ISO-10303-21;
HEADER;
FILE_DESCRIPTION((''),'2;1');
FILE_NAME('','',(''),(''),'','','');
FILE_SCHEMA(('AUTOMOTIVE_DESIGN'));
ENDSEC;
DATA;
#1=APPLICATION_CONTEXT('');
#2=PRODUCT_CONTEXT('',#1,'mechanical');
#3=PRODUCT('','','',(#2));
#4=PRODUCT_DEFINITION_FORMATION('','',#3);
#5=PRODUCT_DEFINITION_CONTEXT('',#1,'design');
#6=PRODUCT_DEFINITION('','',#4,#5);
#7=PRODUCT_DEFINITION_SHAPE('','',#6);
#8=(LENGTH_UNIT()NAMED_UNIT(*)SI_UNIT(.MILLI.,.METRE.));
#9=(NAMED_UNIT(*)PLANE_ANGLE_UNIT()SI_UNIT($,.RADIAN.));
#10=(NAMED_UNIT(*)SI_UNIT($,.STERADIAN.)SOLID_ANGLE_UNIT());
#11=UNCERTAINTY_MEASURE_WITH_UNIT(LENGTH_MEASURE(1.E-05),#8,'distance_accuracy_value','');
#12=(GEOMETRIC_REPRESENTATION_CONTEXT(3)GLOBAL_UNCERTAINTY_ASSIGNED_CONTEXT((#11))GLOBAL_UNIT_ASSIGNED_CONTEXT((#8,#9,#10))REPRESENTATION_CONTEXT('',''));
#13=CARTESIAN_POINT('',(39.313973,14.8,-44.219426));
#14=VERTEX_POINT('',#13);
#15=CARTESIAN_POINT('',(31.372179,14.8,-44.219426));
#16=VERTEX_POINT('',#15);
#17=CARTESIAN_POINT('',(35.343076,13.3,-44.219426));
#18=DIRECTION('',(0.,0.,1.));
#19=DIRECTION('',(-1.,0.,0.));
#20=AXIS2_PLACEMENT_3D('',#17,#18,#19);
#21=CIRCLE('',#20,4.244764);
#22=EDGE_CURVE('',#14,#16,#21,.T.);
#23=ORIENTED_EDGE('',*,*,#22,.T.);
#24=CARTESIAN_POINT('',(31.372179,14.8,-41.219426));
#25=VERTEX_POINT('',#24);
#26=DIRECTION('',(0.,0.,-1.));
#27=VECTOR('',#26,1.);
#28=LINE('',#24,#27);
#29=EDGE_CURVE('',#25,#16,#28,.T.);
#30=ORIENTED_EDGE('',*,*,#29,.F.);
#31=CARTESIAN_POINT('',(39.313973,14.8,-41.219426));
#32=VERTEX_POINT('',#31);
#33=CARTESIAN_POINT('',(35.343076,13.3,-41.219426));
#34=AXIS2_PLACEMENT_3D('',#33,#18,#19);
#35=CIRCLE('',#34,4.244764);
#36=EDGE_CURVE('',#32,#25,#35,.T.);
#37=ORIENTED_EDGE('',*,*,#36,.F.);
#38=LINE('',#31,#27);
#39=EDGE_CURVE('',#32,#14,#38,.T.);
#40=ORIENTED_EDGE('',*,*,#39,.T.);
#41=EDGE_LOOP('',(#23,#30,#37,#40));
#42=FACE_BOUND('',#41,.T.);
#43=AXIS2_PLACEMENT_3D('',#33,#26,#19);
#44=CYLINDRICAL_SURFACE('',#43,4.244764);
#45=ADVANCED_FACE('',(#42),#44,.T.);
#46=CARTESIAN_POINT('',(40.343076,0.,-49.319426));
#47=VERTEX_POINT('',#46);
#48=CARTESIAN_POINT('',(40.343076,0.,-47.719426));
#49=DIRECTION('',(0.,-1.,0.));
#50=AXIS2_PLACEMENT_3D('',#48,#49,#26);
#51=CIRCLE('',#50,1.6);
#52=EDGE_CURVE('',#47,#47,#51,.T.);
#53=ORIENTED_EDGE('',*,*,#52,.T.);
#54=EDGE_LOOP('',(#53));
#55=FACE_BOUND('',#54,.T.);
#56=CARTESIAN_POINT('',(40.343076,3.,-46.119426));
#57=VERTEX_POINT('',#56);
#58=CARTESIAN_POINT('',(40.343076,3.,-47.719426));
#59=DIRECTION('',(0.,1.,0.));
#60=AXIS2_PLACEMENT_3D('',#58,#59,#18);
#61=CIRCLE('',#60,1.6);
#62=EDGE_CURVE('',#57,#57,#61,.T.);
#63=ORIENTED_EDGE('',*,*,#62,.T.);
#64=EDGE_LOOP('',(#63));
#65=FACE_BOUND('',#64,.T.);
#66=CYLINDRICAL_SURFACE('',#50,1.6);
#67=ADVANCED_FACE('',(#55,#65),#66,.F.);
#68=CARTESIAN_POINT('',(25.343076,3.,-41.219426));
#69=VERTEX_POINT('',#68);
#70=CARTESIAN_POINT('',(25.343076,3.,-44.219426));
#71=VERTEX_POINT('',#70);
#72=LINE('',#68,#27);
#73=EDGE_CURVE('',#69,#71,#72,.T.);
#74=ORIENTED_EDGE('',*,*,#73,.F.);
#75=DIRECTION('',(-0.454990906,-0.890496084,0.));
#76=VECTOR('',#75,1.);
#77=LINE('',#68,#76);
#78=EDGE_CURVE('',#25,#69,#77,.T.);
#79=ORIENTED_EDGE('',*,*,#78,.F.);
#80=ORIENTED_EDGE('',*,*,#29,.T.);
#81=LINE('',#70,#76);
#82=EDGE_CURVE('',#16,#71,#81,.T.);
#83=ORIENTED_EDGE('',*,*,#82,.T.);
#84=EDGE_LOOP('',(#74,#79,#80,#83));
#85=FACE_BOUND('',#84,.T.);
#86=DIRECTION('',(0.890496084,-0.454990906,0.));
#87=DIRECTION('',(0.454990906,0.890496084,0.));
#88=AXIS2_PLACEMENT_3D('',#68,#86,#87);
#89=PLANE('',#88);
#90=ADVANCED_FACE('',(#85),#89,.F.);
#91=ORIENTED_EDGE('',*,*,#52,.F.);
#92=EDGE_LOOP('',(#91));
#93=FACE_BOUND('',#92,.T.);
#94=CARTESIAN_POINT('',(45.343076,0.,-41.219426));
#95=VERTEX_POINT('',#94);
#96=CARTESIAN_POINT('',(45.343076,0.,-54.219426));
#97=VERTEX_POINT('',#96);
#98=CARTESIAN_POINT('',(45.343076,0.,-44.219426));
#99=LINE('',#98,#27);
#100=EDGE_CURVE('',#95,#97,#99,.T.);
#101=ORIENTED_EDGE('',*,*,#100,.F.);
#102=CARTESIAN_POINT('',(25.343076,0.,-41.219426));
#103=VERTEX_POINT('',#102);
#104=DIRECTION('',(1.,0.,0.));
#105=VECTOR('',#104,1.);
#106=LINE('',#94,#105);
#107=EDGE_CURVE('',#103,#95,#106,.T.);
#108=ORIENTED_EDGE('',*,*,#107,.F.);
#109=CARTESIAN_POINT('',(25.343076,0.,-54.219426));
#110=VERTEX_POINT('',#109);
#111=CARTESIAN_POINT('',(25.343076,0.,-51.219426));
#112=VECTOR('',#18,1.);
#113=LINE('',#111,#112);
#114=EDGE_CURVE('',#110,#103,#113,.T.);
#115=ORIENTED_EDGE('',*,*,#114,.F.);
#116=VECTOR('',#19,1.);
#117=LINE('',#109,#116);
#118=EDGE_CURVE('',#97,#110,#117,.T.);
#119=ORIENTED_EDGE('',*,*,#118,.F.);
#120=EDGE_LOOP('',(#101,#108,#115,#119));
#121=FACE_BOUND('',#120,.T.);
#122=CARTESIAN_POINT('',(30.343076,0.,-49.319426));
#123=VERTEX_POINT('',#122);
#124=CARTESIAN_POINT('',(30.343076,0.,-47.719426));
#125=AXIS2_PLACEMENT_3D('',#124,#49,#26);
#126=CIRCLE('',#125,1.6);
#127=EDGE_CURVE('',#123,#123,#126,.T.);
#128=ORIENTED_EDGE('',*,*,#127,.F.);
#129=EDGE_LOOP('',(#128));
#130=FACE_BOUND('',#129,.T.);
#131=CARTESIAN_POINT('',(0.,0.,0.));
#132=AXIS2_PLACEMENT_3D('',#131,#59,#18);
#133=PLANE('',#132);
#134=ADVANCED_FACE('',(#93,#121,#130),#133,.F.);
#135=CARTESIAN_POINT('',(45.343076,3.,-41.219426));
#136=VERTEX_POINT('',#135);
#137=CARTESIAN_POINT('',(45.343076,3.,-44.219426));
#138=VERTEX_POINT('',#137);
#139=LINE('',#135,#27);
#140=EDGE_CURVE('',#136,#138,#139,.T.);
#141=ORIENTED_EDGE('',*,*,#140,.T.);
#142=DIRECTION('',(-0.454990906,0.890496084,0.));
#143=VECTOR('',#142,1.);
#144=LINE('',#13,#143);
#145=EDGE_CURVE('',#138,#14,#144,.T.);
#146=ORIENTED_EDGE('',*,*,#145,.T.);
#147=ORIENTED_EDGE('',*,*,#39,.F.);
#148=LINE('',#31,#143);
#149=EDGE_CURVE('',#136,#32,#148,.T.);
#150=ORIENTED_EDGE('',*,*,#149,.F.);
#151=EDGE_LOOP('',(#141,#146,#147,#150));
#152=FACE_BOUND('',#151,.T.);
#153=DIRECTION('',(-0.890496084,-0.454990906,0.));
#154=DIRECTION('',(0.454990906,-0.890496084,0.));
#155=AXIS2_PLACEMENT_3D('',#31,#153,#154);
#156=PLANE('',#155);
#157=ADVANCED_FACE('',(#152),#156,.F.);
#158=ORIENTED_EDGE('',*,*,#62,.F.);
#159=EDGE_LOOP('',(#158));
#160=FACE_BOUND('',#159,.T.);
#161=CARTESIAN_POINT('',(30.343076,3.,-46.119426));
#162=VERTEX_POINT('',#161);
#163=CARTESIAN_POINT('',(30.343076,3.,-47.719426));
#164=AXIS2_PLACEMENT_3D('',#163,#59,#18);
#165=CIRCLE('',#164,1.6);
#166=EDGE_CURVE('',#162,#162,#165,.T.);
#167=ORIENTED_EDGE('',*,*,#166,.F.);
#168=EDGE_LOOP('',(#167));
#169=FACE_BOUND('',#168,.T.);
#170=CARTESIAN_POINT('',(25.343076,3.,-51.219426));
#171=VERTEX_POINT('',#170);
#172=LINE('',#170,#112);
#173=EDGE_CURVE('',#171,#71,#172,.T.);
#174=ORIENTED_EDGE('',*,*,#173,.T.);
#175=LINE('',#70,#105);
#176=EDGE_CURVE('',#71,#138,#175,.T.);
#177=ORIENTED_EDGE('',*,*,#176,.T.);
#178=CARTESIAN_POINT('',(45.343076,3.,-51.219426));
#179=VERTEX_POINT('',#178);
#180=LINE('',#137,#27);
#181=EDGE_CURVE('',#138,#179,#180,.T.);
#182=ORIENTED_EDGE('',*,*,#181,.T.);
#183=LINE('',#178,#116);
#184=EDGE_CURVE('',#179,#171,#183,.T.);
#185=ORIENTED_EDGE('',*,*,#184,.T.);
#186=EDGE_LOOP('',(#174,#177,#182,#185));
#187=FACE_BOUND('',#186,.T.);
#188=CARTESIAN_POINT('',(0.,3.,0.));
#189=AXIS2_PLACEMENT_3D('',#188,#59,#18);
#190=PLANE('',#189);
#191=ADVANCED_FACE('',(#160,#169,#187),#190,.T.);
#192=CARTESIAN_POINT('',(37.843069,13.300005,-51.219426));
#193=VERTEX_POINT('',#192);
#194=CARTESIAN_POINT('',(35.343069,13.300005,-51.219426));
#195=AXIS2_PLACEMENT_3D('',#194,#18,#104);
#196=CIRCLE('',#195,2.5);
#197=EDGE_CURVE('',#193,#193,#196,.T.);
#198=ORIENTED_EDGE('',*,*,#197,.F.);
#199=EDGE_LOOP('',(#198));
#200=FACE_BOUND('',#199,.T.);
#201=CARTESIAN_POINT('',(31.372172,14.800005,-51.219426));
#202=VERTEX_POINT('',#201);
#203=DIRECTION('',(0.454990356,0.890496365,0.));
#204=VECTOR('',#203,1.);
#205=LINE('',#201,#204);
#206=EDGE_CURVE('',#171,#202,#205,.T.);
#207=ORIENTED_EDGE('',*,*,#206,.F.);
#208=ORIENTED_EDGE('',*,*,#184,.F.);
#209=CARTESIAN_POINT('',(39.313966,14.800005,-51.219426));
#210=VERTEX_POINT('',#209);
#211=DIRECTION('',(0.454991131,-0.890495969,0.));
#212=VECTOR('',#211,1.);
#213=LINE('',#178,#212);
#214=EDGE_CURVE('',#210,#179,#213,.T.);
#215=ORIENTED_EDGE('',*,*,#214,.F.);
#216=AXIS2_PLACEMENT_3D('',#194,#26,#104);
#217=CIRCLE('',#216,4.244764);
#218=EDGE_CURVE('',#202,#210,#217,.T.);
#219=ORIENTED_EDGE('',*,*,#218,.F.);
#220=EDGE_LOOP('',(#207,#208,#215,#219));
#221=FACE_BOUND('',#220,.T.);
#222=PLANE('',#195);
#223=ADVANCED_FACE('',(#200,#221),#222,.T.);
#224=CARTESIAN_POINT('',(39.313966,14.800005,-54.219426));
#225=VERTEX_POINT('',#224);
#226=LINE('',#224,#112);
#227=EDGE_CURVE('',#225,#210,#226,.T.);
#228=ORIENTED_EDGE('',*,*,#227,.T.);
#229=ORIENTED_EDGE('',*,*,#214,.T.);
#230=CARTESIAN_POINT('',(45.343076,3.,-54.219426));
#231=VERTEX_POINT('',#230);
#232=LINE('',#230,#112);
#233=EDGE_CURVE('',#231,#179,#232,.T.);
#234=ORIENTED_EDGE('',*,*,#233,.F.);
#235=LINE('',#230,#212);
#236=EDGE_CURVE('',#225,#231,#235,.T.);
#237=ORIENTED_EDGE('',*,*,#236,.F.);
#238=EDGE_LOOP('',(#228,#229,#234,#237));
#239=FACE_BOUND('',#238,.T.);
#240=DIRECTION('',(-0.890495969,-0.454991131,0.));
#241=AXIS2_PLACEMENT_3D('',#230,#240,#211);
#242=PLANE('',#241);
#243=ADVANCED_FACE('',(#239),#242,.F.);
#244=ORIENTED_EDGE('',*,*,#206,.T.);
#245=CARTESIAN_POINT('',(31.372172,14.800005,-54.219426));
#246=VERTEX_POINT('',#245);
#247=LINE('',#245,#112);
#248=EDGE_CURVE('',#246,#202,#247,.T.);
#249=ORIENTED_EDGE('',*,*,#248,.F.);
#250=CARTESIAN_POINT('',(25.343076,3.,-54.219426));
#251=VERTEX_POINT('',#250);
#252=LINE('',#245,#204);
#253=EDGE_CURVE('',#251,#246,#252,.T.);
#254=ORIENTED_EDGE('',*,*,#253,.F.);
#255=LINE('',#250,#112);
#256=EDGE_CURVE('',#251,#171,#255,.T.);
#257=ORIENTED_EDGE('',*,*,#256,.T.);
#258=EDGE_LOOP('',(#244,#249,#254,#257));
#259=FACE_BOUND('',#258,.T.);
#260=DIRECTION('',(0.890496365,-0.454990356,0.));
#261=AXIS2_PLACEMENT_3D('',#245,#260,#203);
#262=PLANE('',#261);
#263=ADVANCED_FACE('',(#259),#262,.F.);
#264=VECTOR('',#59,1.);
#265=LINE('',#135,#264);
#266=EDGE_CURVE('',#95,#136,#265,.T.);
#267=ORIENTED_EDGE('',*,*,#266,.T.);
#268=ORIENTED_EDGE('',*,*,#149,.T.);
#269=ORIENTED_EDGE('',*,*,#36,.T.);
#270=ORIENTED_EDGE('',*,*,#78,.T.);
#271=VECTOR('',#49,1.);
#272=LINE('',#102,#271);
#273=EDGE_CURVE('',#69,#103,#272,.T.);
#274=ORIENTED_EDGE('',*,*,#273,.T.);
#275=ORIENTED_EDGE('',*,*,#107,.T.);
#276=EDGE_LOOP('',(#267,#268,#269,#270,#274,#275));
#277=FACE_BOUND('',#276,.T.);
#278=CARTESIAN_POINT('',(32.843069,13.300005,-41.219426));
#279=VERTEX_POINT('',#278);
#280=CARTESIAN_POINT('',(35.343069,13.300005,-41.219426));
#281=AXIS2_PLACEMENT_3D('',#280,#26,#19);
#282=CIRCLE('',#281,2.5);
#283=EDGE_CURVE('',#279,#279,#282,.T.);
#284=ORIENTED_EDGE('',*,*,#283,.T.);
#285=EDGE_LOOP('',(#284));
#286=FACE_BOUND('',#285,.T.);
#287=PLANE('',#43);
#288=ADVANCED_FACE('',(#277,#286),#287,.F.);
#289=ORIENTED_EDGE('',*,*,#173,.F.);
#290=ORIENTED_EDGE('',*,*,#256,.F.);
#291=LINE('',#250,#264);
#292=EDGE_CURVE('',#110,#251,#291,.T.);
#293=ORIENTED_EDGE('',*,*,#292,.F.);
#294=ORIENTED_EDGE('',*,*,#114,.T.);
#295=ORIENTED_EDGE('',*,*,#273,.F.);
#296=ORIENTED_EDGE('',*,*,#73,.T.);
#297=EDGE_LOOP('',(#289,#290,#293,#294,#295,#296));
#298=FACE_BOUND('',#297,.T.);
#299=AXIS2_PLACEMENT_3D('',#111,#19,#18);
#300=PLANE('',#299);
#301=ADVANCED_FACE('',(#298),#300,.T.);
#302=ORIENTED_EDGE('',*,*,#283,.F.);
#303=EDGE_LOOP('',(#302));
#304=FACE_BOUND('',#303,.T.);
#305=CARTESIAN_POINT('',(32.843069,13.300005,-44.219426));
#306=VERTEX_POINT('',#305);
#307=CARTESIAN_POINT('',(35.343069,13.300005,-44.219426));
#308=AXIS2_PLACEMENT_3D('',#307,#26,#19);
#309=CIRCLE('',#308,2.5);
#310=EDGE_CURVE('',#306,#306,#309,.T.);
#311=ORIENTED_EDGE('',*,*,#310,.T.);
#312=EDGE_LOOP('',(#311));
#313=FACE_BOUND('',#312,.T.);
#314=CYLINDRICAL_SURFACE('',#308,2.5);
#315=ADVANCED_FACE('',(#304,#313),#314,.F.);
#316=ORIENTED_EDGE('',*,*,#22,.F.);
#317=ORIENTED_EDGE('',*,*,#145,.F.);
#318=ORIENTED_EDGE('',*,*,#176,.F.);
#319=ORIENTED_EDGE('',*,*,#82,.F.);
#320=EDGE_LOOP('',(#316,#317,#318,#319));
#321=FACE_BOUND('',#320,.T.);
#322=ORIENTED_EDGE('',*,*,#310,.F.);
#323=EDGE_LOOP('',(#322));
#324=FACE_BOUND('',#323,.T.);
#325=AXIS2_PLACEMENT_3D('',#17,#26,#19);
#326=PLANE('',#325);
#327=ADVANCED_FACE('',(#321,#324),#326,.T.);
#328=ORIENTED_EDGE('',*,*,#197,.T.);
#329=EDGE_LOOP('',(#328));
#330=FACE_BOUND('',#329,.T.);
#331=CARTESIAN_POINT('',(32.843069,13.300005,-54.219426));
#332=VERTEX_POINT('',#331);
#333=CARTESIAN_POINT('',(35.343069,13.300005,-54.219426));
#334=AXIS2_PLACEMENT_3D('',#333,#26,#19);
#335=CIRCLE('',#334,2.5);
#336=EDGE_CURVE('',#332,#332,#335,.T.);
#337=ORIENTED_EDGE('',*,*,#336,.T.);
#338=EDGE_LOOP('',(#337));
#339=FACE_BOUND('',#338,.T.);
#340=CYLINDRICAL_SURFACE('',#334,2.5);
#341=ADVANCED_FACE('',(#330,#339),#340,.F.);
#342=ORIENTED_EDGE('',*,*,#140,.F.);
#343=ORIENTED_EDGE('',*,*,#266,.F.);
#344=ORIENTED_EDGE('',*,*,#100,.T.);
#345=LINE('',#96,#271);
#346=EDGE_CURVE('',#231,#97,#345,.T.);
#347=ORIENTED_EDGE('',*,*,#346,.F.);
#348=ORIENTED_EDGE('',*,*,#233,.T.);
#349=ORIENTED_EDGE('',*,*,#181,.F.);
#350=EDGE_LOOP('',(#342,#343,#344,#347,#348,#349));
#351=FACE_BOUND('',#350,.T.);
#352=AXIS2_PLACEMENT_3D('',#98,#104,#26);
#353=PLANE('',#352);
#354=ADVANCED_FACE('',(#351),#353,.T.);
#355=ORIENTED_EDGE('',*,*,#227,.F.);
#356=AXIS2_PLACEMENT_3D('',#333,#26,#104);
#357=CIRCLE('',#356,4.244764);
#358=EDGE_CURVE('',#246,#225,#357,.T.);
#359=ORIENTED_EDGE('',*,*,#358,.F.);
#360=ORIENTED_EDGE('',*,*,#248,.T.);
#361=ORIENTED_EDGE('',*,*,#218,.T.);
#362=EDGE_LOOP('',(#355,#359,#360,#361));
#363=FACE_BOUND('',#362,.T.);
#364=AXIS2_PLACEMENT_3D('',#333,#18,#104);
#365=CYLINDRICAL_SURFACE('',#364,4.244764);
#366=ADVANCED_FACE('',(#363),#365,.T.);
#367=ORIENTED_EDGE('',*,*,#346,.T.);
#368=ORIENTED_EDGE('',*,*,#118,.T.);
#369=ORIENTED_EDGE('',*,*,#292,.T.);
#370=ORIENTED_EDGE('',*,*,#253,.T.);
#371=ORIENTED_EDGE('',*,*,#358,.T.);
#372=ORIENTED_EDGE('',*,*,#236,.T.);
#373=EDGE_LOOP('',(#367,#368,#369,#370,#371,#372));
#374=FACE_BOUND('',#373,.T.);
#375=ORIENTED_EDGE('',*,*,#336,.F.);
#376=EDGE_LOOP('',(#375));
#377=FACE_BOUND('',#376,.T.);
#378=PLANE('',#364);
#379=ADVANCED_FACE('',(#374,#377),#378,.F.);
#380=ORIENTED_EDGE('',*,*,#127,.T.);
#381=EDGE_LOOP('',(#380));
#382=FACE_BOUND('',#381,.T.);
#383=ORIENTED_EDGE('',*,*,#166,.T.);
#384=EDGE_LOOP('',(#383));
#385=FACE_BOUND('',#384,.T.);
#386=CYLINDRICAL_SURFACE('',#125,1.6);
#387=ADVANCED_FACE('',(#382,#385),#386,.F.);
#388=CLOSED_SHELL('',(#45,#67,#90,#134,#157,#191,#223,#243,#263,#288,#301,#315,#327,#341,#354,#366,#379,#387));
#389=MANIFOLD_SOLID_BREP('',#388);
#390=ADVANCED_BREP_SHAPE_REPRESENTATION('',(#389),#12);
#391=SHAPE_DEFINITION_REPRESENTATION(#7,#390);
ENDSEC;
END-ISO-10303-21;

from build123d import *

# Parameters (mm, degrees)
SKETCH_1_W                  = 20
SKETCH_1_H                  = 7
EXTRUDE_1_DEPTH             = 3
EXTRUDE_2_DEPTH             = 3
EXTRUDE_3_DEPTH             = 3
HOLE_WIZARD_3_2_3_2_1_D     = 3.2
HOLE_WIZARD_3_2_3_2_1_DEPTH = 17.544769413
HOLE_WIZARD_5_0_5_1_D       = 5
HOLE_WIZARD_5_0_5_1_DEPTH   = 3
HOLE_WIZARD_5_0_5_2_D       = 5


with BuildPart() as part:
    # 草图1 → 凸台-拉伸1 (new body)
    with BuildSketch(Plane(origin=(0, 3, 0), x_dir=(1, 0, 0), z_dir=(0, 1, 0))):
        with Locations((35.343075637, 47.719425868)):
            Rectangle(SKETCH_1_W, SKETCH_1_H)
    extrude(amount=-EXTRUDE_1_DEPTH)

    # 草图2 → 凸台-拉伸2 (add)
    with BuildSketch(Plane.XY.offset(-44.219425868)):
        with BuildLine():
            Line((45.343075637, 0), (25.343075637, 0))
            Line((25.343075637, 0), (25.343075637, 3))
            Line((25.343075637, 3), (31.372178722, 14.8))
            ThreePointArc((31.372178722, 14.8), (35.343075637, 17.544764106), (39.313972553, 14.8))
            Line((39.313972553, 14.8), (45.343075637, 3))
            Line((45.343075637, 3), (45.343075637, 0))
        make_face()
    extrude(amount=EXTRUDE_2_DEPTH)

    # 草图3 → 凸台-拉伸3 (add)
    with BuildSketch(Plane(origin=(0, 0, -51.219425868), x_dir=(-1, 0, 0), z_dir=(0, 0, -1))):
        with BuildLine():
            Line((-25.343075637, 0), (-45.343075637, 0))
            Line((-45.343075637, 0), (-45.343075637, 3))
            Line((-45.343075637, 3), (-39.313966075, 14.800005308))
            ThreePointArc((-39.313966075, 14.800005308), (-35.34306916, 17.544769413), (-31.372172244, 14.800005308))
            Line((-31.372172244, 14.800005308), (-25.343075637, 3))
            Line((-25.343075637, 3), (-25.343075637, 0))
        make_face()
    extrude(amount=EXTRUDE_3_DEPTH)

    # Ø3.2 (3.2) 直径孔1
    with Locations(Plane(origin=(0, 0, 0), x_dir=(-1, 0, 0), z_dir=(0, -1, 0))):
        with Locations((-40.343075637, 47.719425868), (-30.343075637, 47.719425868)):
            Hole(HOLE_WIZARD_3_2_3_2_1_D / 2, depth=HOLE_WIZARD_3_2_3_2_1_DEPTH)

    # Ø5.0 (5) 直径孔1
    with Locations(Plane(origin=(0, 0, -54.219425868), x_dir=(-1, 0, 0), z_dir=(0, 0, -1))):
        with Locations((-35.34306916, 13.300005308)):
            Hole(HOLE_WIZARD_5_0_5_1_D / 2, depth=HOLE_WIZARD_5_0_5_1_DEPTH)

    # Ø5.0 (5) 直径孔2 (through all)
    with Locations(Plane(origin=(0, 0, -44.219425868), x_dir=(-1, 0, 0), z_dir=(0, 0, -1))):
        with Locations((-35.34306916, 13.300005308)):
            Hole(HOLE_WIZARD_5_0_5_2_D / 2)


solid = part.part
